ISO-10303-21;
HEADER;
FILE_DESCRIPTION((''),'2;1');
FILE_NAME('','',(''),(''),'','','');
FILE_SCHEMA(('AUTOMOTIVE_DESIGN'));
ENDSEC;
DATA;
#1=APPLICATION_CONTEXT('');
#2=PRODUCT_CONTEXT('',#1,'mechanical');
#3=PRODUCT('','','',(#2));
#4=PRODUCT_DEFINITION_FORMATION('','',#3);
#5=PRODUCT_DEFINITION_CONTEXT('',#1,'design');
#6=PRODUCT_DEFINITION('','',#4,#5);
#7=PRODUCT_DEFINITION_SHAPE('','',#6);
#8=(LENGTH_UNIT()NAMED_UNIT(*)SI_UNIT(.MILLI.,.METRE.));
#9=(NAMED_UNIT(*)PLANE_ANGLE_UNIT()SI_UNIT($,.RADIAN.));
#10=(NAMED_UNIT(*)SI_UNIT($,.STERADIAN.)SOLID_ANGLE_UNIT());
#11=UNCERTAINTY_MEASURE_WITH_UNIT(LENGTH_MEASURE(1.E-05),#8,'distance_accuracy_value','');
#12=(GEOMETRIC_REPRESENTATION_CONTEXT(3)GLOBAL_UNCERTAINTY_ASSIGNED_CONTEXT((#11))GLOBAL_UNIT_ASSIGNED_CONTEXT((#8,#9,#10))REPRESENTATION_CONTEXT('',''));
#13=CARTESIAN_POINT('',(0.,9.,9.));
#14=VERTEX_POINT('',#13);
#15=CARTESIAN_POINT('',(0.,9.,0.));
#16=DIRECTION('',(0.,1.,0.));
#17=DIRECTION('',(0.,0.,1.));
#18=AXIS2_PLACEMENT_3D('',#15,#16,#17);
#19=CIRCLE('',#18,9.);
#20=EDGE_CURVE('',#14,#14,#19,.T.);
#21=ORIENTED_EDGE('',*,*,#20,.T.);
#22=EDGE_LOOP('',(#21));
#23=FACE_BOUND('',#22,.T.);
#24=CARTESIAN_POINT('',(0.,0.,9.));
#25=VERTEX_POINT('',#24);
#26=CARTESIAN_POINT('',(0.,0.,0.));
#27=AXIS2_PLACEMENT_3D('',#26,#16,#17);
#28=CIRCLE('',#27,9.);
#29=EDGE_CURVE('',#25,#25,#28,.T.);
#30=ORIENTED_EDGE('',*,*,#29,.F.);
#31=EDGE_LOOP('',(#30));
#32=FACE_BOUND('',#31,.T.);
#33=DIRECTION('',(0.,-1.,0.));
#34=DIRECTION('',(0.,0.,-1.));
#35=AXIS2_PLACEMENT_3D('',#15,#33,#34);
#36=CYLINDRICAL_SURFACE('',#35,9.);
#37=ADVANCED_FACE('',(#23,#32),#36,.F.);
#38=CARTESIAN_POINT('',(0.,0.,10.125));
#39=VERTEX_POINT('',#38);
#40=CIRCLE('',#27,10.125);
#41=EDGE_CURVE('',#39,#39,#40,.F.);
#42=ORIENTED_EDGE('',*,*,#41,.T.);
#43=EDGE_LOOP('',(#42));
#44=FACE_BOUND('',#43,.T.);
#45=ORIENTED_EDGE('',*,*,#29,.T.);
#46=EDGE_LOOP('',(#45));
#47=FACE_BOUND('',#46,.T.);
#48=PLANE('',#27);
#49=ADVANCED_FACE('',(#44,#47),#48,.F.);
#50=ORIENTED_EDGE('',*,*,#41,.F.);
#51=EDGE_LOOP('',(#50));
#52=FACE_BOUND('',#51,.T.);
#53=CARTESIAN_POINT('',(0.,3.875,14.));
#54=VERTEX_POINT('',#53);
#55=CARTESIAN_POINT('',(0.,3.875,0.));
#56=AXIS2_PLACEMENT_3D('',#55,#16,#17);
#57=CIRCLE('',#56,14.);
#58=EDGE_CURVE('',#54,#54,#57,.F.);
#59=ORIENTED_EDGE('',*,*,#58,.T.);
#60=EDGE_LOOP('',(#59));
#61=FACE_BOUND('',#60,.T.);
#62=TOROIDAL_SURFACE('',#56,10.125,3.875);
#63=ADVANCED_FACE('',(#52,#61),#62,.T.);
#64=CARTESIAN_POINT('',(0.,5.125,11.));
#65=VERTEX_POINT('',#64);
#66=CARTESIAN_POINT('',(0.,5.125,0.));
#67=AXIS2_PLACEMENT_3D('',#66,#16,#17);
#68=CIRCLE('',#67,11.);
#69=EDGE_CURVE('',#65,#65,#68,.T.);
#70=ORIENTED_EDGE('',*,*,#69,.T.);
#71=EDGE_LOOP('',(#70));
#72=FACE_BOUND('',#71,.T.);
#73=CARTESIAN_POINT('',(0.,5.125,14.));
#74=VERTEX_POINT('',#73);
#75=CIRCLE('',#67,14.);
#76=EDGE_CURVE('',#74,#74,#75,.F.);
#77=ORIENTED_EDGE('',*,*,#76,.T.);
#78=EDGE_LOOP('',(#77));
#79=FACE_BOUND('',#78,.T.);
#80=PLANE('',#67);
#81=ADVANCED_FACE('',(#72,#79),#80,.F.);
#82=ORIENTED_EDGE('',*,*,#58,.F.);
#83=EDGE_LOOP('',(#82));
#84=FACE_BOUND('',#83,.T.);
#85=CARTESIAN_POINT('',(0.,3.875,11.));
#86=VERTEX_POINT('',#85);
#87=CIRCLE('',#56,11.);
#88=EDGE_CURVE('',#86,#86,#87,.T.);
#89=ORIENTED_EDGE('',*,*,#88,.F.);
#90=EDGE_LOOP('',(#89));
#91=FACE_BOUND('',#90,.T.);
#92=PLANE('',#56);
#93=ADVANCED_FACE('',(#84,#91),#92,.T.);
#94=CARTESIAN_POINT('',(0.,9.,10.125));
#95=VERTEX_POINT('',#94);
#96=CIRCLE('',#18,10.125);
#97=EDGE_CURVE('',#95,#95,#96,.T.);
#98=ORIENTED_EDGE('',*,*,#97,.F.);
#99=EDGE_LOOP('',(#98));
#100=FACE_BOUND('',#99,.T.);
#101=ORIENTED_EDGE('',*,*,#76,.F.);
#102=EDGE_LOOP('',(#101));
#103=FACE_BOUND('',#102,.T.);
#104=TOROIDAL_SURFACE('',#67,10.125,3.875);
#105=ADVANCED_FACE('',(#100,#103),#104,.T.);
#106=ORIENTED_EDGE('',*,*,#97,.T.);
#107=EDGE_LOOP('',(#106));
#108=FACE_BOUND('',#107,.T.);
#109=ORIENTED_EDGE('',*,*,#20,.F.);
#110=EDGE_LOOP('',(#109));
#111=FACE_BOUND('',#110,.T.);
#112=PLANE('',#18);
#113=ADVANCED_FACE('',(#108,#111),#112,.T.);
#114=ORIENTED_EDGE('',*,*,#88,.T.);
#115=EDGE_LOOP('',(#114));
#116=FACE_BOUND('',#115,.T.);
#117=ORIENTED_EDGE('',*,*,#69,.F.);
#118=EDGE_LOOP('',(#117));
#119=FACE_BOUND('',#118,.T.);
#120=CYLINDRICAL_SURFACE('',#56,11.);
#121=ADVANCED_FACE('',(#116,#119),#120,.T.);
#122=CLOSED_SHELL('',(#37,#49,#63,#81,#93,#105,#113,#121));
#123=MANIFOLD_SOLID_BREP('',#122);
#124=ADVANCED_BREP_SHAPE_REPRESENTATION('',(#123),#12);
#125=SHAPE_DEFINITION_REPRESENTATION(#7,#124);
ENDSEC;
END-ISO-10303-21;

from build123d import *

# Parameters (mm, degrees)
SKETCH2_R           = 14
SKETCH2_R_2         = 9
BOSS_EXTRUDE1_DEPTH = 9
FILLET1_R           = 3.875
CUT_EXTRUDE1_START  = -3.875
SKETCH3_R           = 15.875
SKETCH3_R_2         = 11
CUT_EXTRUDE1_DEPTH  = 1.25


with BuildPart() as part:
    # Sketch2 → Boss-Extrude1 (new body)
    with BuildSketch(Plane(origin=(0, 0, 0), x_dir=(1, 0, 0), z_dir=(0, 1, 0))):
        Circle(SKETCH2_R)
        Circle(SKETCH2_R_2, mode=Mode.SUBTRACT)
    extrude(amount=BOSS_EXTRUDE1_DEPTH)

    # Fillet1
    fillet1_edges = [part.edges().sort_by_distance(p)[0] for p in [
        (-14, 0, 0),
        (-14, 9, 0),
    ]]
    fillet(fillet1_edges, radius=FILLET1_R)

    # Sketch3 → Cut-Extrude1 (cut)
    with BuildSketch(Plane(origin=(0, 9, 0), x_dir=(1, 0, 0), z_dir=(0, 1, 0)).offset(CUT_EXTRUDE1_START)):
        Circle(SKETCH3_R)
        Circle(SKETCH3_R_2, mode=Mode.SUBTRACT)
    extrude(amount=-CUT_EXTRUDE1_DEPTH, mode=Mode.SUBTRACT)


solid = part.part
